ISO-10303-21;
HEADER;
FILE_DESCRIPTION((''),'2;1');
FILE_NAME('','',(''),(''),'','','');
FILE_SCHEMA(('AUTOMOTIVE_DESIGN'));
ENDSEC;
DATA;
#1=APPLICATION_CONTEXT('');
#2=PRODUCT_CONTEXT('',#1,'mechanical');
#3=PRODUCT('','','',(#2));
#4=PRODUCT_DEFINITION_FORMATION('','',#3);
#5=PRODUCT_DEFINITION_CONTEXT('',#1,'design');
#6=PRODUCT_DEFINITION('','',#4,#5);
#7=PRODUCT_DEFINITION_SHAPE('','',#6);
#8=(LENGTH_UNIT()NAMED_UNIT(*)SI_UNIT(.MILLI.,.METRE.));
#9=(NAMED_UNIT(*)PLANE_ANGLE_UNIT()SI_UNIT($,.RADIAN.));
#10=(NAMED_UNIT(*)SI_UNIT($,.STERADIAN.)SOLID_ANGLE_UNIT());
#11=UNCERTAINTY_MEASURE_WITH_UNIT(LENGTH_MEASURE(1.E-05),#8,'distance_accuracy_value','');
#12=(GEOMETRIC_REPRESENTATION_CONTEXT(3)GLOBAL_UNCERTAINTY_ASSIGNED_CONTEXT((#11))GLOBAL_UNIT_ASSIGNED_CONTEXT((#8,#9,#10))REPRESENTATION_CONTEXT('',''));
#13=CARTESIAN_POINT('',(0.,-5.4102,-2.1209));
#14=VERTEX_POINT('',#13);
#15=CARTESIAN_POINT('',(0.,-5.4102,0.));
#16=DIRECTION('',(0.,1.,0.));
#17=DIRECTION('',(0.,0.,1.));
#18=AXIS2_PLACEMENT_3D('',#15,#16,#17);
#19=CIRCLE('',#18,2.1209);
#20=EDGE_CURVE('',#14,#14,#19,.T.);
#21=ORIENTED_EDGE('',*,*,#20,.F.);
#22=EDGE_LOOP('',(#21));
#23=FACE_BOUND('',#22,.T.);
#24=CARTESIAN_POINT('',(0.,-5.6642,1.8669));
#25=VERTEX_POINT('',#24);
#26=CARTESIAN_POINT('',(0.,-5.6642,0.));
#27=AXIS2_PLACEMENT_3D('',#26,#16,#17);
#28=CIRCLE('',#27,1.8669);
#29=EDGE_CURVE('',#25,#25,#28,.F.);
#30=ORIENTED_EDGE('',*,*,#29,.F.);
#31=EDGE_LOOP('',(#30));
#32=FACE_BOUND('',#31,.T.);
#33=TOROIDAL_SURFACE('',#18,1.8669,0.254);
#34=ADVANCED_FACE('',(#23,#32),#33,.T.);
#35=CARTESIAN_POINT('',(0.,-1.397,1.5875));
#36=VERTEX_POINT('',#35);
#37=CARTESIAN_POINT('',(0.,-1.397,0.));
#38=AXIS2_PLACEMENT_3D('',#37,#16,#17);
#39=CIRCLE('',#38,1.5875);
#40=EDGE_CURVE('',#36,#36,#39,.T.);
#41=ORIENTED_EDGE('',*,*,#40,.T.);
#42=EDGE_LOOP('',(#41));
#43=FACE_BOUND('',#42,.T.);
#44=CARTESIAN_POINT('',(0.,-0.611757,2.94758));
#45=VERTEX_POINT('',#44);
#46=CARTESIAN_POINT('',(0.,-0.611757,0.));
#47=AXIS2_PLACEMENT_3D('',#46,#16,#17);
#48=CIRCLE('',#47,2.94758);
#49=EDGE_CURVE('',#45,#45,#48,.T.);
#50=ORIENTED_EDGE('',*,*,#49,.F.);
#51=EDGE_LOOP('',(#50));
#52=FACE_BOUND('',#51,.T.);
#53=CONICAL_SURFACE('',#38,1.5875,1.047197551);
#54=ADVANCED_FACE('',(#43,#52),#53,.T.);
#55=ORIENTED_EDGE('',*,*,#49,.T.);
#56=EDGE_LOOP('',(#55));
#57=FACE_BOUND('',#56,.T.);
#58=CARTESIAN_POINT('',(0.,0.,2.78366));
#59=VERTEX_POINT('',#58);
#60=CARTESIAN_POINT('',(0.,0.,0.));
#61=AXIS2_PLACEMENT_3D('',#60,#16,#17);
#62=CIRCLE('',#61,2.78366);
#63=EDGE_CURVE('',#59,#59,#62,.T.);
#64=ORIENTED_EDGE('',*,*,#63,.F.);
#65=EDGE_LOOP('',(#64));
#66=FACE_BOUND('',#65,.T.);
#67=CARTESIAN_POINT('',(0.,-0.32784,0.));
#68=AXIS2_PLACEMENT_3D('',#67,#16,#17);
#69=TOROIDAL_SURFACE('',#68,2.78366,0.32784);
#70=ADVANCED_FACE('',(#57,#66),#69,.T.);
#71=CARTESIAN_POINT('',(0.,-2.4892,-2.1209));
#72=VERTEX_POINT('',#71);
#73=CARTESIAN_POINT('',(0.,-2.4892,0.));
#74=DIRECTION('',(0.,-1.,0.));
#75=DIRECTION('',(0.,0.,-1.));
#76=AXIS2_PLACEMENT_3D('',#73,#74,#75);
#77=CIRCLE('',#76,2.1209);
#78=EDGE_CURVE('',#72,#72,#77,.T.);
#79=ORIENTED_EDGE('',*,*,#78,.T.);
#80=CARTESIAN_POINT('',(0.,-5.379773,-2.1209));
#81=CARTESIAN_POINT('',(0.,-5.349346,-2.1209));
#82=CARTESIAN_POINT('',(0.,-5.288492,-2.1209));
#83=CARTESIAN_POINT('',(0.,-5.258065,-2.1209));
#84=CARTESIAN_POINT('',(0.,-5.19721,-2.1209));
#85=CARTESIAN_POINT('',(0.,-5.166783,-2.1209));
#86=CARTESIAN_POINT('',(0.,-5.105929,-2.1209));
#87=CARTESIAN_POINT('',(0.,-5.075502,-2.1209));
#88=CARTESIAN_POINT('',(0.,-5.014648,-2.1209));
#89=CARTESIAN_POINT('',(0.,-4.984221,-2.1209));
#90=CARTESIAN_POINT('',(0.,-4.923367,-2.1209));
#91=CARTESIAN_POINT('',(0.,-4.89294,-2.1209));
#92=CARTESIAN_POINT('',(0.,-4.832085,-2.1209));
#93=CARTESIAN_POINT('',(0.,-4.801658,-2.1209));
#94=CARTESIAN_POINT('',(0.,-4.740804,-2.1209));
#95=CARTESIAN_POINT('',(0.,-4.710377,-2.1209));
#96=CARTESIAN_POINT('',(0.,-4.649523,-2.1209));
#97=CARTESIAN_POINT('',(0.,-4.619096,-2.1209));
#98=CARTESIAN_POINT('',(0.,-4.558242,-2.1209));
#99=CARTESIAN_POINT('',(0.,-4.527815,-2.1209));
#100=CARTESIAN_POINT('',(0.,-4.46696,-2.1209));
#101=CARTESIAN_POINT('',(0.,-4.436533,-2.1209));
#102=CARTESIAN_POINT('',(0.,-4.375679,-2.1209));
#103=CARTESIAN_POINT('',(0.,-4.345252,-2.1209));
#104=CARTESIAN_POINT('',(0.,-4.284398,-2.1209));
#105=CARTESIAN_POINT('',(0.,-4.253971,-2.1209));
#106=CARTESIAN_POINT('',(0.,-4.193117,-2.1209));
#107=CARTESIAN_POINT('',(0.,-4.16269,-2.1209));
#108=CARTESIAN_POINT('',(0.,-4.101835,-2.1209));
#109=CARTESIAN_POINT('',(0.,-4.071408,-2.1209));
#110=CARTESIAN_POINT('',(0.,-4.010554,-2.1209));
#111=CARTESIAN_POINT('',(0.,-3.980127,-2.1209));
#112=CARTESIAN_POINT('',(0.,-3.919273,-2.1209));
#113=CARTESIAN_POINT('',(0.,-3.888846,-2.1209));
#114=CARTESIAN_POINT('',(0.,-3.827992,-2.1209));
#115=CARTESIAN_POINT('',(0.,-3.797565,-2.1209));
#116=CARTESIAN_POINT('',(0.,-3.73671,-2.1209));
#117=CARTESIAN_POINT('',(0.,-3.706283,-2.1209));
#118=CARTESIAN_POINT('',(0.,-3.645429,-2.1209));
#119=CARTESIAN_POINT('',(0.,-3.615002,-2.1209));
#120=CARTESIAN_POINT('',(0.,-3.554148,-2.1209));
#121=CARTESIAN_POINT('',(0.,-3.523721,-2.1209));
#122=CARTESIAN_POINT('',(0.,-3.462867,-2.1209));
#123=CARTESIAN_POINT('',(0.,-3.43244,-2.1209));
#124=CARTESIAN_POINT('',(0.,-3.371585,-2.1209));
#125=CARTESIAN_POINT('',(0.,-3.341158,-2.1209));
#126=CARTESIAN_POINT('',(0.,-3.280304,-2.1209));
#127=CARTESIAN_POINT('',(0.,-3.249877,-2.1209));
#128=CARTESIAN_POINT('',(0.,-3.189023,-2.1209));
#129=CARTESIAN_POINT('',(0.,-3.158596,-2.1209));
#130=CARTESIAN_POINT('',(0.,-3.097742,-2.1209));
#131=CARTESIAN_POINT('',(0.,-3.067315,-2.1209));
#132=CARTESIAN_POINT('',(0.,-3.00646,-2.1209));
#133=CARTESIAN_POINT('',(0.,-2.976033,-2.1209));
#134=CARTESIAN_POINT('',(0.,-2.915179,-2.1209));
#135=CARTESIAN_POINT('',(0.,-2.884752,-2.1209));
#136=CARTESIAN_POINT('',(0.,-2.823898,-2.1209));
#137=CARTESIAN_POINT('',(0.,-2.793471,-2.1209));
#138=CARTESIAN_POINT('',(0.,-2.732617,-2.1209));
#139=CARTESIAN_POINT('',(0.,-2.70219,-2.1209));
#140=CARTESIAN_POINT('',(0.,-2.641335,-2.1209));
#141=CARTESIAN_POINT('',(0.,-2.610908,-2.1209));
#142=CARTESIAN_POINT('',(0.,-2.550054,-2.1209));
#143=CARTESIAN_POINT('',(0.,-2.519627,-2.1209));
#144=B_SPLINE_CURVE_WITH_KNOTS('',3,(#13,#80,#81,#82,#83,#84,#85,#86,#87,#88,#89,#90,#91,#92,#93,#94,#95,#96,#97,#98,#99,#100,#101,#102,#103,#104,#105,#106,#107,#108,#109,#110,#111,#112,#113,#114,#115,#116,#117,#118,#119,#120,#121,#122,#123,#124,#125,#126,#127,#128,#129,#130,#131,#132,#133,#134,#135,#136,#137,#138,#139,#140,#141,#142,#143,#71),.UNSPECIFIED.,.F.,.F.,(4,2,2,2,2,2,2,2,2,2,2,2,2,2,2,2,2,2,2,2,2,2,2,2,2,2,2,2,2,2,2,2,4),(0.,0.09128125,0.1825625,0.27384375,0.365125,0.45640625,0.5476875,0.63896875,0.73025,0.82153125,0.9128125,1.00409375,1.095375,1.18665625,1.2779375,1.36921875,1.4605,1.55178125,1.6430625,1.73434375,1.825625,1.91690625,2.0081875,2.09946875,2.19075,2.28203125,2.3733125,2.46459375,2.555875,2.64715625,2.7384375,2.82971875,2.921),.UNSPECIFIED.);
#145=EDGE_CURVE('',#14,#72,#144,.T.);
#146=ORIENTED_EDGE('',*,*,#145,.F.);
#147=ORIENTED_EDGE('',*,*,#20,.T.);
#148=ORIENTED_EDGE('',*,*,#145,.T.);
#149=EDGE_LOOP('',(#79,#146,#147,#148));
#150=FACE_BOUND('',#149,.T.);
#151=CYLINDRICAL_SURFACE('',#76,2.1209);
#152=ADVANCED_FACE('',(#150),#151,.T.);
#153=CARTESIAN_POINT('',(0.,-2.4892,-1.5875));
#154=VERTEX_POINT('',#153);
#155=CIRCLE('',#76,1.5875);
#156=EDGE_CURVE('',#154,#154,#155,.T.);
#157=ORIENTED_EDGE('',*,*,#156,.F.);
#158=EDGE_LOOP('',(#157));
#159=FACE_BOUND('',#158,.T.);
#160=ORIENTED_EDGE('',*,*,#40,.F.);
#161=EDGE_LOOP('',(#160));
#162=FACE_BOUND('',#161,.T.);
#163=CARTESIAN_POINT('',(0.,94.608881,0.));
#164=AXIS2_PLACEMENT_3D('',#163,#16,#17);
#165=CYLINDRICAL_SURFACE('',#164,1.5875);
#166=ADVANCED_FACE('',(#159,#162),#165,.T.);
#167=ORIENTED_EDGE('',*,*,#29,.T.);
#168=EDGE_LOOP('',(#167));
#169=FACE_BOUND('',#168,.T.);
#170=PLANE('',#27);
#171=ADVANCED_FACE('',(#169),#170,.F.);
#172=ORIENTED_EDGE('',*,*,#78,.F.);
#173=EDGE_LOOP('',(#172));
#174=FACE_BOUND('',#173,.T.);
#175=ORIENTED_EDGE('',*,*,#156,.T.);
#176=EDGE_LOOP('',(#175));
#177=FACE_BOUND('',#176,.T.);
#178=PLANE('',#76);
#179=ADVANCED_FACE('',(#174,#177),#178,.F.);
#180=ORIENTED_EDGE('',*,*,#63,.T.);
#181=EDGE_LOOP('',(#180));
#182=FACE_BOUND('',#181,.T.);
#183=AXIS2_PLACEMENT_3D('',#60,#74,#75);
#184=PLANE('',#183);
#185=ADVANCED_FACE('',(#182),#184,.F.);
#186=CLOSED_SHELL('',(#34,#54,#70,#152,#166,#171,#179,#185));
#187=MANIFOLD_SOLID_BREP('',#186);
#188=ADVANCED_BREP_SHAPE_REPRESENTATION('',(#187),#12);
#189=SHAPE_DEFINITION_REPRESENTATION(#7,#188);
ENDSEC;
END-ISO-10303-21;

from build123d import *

# Parameters (mm, degrees)
SKETCH3_R           = 2.1209
BOSS_EXTRUDE1_DEPTH = 7.5692
CUT_EXTRUDE1_START  = -11.811
SKETCH5_R           = 2.1209
CUT_EXTRUDE1_DEPTH  = 8.636
FILLET1_R           = 0.254


with BuildPart() as part:
    # Sketch2 → Revolve1 (revolve)
    with BuildSketch(Plane.XY, mode=Mode.PRIVATE) as revolve1_sk:
        with BuildLine():
            Line((1.5875, -1.397), (1.5875, -10.0584))
            Line((1.5875, -10.0584), (0, -10.0584))
            Line((0, -10.0584), (0, 0))
            Line((0, 0), (2.783660204, 0))
            ThreePointArc((2.783660204, 0), (3.10032913, -0.242988613), (2.947580102, -0.611757387))
            Line((2.947580102, -0.611757387), (1.5875, -1.397))
        make_face()
    revolve(revolve1_sk.sketch.rotate(Axis((0, 94.608881441, 0), (0, -1, 0)), 90), axis=Axis((0, 94.608881441, 0), (0, -1, 0)))

    # Sketch3 → Boss-Extrude1 (add)
    with BuildSketch(Plane.XZ.offset(10.0584)):
        with Locations(Location((0, 0, 0), (0, 0, 270))):
            Circle(SKETCH3_R)
    extrude(amount=-BOSS_EXTRUDE1_DEPTH)

    # Sketch5 → Cut-Extrude1 (cut)
    with BuildSketch(Plane(origin=(0, -2.4892, 0), x_dir=(1, 0, 0), z_dir=(0, 1, 0)).offset(CUT_EXTRUDE1_START)):
        with Locations(Location((0, 0, 0), (0, 0, 90))):
            Circle(SKETCH5_R)
    extrude(amount=CUT_EXTRUDE1_DEPTH, mode=Mode.SUBTRACT)

    # Fillet1
    fillet1_edges = [part.edges().sort_by_distance(p)[0] for p in [
        (0, -5.6642, 2.1209),
    ]]
    fillet(fillet1_edges, radius=FILLET1_R)


solid = part.part
